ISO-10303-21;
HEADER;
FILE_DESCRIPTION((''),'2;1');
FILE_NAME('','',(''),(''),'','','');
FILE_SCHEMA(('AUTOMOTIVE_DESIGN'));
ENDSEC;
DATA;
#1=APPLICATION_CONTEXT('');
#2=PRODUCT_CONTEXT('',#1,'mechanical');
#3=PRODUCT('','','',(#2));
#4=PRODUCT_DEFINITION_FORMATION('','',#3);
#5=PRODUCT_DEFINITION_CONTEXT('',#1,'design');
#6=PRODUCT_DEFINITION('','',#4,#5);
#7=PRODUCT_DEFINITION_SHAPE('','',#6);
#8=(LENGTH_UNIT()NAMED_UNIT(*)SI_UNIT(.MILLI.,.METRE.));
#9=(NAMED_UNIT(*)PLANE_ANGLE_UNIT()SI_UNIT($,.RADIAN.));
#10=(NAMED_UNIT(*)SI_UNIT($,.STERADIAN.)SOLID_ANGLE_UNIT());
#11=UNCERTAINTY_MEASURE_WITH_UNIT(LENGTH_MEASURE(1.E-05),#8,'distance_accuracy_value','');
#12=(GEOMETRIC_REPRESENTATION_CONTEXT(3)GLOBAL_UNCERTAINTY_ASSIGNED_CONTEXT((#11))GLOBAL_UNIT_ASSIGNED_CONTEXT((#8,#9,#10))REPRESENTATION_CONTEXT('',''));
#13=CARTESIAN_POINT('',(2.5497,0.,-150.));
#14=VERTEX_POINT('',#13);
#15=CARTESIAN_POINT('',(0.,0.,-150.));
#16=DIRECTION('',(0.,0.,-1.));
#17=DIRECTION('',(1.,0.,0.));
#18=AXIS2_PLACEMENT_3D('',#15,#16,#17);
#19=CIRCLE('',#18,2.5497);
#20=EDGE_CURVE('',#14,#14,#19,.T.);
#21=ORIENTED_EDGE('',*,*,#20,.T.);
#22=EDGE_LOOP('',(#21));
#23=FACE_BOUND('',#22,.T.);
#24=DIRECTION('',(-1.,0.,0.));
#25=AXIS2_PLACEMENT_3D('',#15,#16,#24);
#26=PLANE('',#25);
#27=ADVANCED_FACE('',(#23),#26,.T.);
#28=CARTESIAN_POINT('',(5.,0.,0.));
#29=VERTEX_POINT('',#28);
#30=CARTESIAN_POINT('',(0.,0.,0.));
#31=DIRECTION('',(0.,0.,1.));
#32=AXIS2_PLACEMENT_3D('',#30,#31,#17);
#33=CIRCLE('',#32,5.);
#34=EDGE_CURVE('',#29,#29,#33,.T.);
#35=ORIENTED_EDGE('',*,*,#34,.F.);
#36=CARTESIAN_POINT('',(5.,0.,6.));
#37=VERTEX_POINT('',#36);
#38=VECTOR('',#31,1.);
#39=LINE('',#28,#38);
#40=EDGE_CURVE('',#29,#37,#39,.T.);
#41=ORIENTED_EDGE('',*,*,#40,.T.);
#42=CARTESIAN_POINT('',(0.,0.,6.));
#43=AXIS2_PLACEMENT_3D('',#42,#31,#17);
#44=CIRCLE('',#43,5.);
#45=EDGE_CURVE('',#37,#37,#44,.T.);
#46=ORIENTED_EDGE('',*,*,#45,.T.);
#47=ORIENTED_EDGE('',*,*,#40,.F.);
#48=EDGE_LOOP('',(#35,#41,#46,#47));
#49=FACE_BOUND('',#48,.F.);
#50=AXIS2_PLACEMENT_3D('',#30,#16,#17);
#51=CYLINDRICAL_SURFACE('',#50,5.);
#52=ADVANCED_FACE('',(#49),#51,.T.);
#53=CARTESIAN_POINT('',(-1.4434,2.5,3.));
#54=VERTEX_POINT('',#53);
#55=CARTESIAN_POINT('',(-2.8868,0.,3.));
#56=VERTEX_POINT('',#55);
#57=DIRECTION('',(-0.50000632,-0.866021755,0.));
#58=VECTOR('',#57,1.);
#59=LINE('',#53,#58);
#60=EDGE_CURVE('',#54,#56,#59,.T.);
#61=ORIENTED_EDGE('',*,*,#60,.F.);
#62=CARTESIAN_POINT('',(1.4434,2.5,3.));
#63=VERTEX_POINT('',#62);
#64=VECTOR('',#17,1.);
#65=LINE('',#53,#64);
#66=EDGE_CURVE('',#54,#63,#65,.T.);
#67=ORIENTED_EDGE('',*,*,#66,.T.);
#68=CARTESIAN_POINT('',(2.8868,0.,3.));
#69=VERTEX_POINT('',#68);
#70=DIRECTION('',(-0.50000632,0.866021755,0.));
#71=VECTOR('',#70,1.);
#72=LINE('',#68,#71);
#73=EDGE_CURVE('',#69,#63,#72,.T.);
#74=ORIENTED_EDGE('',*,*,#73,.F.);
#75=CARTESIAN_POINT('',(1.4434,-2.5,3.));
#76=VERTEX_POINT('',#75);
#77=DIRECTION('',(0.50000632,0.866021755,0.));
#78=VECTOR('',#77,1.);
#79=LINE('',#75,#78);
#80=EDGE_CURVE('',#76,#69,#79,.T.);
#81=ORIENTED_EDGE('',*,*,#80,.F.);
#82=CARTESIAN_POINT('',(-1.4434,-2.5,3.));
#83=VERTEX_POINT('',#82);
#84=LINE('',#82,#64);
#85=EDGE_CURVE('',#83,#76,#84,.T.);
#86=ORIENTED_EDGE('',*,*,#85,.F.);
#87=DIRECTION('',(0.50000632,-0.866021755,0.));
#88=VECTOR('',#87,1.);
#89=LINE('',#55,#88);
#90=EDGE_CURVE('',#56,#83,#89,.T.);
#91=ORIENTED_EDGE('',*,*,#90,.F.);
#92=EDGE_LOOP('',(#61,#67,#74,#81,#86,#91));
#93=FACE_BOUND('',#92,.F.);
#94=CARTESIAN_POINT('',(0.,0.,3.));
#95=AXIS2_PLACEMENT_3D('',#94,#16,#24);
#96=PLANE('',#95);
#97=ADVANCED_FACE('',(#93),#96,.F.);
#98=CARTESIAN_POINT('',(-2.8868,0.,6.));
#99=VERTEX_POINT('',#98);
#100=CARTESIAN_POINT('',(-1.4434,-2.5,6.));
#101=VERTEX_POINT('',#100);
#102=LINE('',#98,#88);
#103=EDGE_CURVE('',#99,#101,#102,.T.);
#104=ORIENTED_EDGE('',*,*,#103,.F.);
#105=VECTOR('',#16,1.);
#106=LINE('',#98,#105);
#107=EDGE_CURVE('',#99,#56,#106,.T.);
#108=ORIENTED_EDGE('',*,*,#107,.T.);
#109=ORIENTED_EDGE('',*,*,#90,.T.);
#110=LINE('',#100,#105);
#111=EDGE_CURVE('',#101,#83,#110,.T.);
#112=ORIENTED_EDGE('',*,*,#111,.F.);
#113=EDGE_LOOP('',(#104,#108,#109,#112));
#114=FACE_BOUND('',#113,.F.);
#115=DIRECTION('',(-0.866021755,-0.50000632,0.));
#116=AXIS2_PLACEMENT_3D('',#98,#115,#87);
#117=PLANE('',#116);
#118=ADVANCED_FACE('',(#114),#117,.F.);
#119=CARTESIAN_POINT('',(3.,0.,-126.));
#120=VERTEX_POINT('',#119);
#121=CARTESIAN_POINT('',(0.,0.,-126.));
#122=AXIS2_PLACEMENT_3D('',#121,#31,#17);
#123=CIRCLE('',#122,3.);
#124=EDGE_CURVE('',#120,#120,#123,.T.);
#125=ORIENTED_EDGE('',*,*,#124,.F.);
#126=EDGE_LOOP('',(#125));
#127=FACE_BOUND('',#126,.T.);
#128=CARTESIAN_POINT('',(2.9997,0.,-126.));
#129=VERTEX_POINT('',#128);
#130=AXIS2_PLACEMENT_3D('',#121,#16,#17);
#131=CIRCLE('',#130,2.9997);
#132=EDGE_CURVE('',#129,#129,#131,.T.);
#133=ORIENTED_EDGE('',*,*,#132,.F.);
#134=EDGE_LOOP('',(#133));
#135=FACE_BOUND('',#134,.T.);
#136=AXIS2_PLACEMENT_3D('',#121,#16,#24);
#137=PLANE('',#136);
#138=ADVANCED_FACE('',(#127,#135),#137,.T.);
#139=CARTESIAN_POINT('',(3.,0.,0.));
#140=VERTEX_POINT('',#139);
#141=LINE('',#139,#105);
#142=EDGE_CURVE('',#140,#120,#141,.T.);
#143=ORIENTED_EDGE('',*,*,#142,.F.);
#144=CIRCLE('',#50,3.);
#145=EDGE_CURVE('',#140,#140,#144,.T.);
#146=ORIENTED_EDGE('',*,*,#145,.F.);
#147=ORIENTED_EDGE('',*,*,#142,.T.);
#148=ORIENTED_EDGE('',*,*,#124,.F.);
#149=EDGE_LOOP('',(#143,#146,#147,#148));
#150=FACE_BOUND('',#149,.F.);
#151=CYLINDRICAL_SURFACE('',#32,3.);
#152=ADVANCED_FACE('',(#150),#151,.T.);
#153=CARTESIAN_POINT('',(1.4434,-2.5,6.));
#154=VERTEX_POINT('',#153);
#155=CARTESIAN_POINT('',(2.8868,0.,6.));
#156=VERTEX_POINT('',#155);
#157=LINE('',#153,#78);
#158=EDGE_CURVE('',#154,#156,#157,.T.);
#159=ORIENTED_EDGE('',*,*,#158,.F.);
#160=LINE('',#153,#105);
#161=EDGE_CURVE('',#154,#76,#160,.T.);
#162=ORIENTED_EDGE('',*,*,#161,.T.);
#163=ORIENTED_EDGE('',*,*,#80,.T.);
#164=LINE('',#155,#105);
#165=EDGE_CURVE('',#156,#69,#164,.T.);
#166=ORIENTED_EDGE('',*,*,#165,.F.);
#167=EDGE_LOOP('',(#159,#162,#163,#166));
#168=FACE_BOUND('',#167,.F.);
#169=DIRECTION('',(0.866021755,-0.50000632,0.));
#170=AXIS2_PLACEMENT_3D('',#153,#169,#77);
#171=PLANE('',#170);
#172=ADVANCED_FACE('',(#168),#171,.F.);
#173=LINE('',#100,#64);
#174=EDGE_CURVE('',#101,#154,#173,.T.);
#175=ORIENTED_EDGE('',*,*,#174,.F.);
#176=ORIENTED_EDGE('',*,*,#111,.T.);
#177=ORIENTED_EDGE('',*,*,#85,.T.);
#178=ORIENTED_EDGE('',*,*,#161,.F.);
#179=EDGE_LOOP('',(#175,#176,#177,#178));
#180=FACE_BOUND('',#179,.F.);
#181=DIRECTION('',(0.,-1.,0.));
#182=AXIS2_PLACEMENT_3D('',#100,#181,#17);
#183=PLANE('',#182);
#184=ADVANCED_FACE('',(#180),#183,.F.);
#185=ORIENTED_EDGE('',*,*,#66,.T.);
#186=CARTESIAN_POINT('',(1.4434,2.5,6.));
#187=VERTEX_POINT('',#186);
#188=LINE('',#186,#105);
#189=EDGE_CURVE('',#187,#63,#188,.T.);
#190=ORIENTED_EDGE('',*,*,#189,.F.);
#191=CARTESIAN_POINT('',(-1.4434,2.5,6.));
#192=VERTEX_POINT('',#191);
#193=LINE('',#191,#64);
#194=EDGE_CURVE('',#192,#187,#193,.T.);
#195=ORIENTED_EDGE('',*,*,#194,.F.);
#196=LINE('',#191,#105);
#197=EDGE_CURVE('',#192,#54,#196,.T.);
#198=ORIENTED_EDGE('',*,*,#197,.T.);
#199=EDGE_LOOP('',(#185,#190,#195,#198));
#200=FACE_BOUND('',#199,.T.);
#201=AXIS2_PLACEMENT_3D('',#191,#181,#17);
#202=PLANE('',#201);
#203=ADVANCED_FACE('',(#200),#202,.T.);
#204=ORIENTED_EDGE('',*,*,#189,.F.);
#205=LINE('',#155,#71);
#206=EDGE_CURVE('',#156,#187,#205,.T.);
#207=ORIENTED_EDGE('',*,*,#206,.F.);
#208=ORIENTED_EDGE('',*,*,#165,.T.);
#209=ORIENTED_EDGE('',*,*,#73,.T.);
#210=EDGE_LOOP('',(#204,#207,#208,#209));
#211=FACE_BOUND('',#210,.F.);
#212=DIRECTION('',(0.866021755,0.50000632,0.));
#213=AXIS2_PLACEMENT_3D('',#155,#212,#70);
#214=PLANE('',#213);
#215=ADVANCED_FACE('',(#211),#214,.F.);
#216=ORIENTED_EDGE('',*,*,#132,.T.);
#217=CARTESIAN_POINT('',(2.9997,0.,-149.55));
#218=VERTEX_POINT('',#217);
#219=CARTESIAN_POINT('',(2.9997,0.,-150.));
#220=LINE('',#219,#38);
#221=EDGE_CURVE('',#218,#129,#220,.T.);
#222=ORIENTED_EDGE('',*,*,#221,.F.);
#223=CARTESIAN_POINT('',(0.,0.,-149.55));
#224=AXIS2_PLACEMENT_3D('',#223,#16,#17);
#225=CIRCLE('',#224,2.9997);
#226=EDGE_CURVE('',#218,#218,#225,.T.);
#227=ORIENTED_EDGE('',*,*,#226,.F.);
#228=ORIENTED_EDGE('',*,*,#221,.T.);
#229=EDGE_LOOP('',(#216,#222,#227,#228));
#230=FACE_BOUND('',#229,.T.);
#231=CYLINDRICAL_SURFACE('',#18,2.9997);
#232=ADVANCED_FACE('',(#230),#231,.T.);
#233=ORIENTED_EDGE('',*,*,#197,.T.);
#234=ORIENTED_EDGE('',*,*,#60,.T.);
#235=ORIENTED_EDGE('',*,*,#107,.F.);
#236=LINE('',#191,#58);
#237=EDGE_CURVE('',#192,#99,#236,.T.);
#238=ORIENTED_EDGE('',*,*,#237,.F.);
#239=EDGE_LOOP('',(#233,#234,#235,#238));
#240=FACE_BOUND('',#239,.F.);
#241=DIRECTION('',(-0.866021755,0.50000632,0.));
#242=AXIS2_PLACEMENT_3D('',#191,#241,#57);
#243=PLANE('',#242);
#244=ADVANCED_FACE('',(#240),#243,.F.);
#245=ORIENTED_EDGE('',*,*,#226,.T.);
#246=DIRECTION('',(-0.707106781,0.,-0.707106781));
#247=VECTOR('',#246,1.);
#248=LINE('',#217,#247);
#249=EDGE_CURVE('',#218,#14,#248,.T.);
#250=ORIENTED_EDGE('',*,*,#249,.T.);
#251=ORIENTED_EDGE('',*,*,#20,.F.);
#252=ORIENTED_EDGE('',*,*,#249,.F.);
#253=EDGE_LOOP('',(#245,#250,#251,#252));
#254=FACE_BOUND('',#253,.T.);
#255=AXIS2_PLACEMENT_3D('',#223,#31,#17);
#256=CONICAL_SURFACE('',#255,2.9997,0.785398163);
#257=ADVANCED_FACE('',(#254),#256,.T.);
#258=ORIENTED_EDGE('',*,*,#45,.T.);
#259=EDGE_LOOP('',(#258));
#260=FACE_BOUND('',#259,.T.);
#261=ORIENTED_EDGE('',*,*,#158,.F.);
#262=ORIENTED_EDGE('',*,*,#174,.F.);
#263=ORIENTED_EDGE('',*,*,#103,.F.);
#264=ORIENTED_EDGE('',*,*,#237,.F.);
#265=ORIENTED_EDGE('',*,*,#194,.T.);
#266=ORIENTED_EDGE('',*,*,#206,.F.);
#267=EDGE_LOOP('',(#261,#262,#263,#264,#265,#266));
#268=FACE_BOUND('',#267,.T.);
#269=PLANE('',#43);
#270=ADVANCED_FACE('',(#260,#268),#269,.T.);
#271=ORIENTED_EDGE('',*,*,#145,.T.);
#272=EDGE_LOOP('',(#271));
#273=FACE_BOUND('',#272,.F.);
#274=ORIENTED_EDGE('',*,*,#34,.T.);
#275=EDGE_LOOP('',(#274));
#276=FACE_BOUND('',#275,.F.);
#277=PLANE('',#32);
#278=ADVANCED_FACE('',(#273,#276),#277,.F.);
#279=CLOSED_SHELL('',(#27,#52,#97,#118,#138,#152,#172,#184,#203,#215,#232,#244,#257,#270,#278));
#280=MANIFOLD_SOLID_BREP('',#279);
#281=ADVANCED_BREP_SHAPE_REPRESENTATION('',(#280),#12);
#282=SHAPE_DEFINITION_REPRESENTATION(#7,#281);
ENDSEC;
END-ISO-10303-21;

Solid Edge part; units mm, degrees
sketch "Sketch1" plane through (0, 0, 0) normal (0, 0, 1) x (1, 0, 0)
  circle A0 centre (0, 0) radius 5
  dimension "D1" = 10
extrude "Protrusion1" add sketch "Sketch1" along normal blind 6
sketch "Sketch2" plane through (0, 0, 0) normal (0, 0, -1) x (1, 0, 0)
  circle A0 centre (0, 0) radius 3
extrude "Protrusion2" add sketch "Sketch2" along normal blind 150
sketch "Sketch3" plane through (0, 0, -150) normal (0, 0, -1) x (1, 0, 0)
  circle A0 centre (0, 0) radius 2.9997
extrude "Cutout1" cut sketch "Sketch3" against normal blind 24 flip side to cut
chamfer "Chamfer_1" distance 0.45 angle 45 1 edges at (-2.9997, 0, -150)
sketch "Sketch4" plane through (0, 0, 6) normal (0, 0, 1) x (1, 0, 0)
  line L0 (-1.4434, 2.5) -> (1.4434, 2.5)
  line L1 (2.8868, 0) -> (1.4434, 2.5)
  line L2 (1.4434, -2.5) -> (2.8868, 0)
  line L3 (-1.4434, -2.5) -> (1.4434, -2.5)
  line L4 (-2.8868, 0) -> (-1.4434, -2.5)
  line L5 (-1.4434, 2.5) -> (-2.8868, 0)
  dimension "D1" = 5
extrude "Cutout2" cut sketch "Sketch4" against normal blind 3
properties part number "165848"
